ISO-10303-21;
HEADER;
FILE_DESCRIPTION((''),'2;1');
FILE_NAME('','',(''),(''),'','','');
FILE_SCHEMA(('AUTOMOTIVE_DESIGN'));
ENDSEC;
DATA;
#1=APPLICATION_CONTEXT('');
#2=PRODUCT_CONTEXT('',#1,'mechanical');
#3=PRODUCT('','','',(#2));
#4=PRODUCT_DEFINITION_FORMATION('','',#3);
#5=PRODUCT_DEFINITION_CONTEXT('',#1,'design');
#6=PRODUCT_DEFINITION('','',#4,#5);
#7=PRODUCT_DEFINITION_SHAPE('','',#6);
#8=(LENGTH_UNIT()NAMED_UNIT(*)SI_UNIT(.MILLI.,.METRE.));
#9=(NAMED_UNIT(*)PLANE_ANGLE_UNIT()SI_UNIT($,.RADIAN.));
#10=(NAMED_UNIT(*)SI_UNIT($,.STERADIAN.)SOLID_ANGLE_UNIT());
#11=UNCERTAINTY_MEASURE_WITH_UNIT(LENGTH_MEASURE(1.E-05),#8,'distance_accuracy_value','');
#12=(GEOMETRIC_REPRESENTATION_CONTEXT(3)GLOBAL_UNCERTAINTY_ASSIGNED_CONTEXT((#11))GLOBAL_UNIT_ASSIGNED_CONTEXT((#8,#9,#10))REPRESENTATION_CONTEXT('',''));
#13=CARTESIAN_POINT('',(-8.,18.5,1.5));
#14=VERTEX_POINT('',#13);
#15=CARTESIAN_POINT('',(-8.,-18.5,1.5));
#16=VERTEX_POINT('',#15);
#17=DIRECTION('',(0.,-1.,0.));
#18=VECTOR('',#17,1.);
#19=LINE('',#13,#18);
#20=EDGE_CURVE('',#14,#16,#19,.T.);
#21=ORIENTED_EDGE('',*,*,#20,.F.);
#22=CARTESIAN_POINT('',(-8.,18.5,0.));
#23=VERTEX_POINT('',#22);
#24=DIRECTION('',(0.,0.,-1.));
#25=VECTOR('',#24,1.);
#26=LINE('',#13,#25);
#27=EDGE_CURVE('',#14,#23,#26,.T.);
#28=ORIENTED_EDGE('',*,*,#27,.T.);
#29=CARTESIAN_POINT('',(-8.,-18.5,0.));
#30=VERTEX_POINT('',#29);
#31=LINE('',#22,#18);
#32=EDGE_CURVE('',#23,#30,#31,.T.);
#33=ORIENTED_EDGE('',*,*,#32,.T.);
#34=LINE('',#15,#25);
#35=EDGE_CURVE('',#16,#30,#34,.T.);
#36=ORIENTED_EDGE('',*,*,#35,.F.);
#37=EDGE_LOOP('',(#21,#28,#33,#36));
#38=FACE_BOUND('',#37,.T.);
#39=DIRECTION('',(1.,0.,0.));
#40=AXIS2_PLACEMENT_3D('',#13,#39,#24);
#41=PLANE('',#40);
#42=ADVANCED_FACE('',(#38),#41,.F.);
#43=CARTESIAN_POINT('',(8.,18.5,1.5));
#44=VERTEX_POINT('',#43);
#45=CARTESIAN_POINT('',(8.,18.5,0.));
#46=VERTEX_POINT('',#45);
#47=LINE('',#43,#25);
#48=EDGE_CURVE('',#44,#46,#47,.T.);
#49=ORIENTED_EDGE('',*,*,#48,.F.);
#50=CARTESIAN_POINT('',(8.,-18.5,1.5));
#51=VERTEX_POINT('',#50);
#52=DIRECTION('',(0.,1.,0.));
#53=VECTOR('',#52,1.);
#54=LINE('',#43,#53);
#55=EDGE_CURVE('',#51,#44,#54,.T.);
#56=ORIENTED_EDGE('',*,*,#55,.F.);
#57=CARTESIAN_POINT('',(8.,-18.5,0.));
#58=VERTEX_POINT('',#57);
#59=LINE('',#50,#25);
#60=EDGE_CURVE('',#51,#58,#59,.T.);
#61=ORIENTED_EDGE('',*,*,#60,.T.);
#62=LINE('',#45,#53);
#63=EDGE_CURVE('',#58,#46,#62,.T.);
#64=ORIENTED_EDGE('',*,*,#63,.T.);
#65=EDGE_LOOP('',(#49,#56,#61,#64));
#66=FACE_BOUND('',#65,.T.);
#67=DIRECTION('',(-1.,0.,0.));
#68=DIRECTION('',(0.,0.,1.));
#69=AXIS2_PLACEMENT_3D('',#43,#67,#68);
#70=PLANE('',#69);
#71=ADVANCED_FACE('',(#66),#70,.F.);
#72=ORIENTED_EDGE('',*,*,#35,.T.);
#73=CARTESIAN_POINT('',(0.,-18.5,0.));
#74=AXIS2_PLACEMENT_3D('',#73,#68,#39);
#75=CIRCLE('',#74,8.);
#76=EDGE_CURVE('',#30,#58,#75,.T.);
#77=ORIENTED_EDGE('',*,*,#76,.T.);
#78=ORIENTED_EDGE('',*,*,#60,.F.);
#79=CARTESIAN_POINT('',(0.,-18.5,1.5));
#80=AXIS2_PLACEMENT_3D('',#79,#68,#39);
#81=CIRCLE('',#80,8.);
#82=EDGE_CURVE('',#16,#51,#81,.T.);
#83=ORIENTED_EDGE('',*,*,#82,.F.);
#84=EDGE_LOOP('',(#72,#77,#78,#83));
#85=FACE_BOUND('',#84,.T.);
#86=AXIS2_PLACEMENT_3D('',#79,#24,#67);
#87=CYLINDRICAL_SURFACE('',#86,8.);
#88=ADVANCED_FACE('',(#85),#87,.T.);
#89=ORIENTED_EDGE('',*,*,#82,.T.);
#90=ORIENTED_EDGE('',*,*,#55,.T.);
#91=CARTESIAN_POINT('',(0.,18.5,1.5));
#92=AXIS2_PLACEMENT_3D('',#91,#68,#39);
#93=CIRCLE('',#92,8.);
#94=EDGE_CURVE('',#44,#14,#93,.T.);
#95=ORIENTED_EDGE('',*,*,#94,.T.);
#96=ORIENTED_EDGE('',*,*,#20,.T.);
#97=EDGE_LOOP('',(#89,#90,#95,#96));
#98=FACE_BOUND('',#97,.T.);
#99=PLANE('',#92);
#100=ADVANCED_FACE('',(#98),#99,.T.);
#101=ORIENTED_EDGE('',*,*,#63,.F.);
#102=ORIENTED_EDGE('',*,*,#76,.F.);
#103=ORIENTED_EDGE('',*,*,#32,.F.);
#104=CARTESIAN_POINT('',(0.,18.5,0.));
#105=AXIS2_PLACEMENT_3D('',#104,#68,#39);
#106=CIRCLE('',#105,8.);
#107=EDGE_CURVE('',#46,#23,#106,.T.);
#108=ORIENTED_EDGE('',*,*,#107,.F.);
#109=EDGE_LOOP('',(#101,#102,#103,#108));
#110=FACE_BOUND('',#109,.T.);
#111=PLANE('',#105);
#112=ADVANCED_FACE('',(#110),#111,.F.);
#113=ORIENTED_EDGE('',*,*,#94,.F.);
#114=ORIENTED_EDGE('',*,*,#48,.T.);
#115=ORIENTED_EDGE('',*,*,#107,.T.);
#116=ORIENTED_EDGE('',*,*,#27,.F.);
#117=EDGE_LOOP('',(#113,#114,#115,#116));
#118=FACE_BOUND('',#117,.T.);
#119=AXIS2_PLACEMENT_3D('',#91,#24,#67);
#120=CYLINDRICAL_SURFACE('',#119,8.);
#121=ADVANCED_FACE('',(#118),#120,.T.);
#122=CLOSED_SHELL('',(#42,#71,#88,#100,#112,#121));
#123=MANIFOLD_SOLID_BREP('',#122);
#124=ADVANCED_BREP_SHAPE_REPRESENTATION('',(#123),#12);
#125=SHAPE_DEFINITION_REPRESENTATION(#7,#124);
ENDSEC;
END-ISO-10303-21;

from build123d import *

# Parameters (mm, degrees)
BOSS_EXTRUDE1_DEPTH = 1.5


with BuildPart() as part:
    # Sketch1 → Boss-Extrude1 (new body)
    with BuildSketch(Plane.XY):
        with BuildLine():
            Line((-8, 18.5), (-8, -18.5))
            ThreePointArc((-8, -18.5), (0, -26.5), (8, -18.5))
            Line((8, -18.5), (8, 18.5))
            ThreePointArc((8, 18.5), (0, 26.5), (-8, 18.5))
        make_face()
    extrude(amount=BOSS_EXTRUDE1_DEPTH)


solid = part.part
